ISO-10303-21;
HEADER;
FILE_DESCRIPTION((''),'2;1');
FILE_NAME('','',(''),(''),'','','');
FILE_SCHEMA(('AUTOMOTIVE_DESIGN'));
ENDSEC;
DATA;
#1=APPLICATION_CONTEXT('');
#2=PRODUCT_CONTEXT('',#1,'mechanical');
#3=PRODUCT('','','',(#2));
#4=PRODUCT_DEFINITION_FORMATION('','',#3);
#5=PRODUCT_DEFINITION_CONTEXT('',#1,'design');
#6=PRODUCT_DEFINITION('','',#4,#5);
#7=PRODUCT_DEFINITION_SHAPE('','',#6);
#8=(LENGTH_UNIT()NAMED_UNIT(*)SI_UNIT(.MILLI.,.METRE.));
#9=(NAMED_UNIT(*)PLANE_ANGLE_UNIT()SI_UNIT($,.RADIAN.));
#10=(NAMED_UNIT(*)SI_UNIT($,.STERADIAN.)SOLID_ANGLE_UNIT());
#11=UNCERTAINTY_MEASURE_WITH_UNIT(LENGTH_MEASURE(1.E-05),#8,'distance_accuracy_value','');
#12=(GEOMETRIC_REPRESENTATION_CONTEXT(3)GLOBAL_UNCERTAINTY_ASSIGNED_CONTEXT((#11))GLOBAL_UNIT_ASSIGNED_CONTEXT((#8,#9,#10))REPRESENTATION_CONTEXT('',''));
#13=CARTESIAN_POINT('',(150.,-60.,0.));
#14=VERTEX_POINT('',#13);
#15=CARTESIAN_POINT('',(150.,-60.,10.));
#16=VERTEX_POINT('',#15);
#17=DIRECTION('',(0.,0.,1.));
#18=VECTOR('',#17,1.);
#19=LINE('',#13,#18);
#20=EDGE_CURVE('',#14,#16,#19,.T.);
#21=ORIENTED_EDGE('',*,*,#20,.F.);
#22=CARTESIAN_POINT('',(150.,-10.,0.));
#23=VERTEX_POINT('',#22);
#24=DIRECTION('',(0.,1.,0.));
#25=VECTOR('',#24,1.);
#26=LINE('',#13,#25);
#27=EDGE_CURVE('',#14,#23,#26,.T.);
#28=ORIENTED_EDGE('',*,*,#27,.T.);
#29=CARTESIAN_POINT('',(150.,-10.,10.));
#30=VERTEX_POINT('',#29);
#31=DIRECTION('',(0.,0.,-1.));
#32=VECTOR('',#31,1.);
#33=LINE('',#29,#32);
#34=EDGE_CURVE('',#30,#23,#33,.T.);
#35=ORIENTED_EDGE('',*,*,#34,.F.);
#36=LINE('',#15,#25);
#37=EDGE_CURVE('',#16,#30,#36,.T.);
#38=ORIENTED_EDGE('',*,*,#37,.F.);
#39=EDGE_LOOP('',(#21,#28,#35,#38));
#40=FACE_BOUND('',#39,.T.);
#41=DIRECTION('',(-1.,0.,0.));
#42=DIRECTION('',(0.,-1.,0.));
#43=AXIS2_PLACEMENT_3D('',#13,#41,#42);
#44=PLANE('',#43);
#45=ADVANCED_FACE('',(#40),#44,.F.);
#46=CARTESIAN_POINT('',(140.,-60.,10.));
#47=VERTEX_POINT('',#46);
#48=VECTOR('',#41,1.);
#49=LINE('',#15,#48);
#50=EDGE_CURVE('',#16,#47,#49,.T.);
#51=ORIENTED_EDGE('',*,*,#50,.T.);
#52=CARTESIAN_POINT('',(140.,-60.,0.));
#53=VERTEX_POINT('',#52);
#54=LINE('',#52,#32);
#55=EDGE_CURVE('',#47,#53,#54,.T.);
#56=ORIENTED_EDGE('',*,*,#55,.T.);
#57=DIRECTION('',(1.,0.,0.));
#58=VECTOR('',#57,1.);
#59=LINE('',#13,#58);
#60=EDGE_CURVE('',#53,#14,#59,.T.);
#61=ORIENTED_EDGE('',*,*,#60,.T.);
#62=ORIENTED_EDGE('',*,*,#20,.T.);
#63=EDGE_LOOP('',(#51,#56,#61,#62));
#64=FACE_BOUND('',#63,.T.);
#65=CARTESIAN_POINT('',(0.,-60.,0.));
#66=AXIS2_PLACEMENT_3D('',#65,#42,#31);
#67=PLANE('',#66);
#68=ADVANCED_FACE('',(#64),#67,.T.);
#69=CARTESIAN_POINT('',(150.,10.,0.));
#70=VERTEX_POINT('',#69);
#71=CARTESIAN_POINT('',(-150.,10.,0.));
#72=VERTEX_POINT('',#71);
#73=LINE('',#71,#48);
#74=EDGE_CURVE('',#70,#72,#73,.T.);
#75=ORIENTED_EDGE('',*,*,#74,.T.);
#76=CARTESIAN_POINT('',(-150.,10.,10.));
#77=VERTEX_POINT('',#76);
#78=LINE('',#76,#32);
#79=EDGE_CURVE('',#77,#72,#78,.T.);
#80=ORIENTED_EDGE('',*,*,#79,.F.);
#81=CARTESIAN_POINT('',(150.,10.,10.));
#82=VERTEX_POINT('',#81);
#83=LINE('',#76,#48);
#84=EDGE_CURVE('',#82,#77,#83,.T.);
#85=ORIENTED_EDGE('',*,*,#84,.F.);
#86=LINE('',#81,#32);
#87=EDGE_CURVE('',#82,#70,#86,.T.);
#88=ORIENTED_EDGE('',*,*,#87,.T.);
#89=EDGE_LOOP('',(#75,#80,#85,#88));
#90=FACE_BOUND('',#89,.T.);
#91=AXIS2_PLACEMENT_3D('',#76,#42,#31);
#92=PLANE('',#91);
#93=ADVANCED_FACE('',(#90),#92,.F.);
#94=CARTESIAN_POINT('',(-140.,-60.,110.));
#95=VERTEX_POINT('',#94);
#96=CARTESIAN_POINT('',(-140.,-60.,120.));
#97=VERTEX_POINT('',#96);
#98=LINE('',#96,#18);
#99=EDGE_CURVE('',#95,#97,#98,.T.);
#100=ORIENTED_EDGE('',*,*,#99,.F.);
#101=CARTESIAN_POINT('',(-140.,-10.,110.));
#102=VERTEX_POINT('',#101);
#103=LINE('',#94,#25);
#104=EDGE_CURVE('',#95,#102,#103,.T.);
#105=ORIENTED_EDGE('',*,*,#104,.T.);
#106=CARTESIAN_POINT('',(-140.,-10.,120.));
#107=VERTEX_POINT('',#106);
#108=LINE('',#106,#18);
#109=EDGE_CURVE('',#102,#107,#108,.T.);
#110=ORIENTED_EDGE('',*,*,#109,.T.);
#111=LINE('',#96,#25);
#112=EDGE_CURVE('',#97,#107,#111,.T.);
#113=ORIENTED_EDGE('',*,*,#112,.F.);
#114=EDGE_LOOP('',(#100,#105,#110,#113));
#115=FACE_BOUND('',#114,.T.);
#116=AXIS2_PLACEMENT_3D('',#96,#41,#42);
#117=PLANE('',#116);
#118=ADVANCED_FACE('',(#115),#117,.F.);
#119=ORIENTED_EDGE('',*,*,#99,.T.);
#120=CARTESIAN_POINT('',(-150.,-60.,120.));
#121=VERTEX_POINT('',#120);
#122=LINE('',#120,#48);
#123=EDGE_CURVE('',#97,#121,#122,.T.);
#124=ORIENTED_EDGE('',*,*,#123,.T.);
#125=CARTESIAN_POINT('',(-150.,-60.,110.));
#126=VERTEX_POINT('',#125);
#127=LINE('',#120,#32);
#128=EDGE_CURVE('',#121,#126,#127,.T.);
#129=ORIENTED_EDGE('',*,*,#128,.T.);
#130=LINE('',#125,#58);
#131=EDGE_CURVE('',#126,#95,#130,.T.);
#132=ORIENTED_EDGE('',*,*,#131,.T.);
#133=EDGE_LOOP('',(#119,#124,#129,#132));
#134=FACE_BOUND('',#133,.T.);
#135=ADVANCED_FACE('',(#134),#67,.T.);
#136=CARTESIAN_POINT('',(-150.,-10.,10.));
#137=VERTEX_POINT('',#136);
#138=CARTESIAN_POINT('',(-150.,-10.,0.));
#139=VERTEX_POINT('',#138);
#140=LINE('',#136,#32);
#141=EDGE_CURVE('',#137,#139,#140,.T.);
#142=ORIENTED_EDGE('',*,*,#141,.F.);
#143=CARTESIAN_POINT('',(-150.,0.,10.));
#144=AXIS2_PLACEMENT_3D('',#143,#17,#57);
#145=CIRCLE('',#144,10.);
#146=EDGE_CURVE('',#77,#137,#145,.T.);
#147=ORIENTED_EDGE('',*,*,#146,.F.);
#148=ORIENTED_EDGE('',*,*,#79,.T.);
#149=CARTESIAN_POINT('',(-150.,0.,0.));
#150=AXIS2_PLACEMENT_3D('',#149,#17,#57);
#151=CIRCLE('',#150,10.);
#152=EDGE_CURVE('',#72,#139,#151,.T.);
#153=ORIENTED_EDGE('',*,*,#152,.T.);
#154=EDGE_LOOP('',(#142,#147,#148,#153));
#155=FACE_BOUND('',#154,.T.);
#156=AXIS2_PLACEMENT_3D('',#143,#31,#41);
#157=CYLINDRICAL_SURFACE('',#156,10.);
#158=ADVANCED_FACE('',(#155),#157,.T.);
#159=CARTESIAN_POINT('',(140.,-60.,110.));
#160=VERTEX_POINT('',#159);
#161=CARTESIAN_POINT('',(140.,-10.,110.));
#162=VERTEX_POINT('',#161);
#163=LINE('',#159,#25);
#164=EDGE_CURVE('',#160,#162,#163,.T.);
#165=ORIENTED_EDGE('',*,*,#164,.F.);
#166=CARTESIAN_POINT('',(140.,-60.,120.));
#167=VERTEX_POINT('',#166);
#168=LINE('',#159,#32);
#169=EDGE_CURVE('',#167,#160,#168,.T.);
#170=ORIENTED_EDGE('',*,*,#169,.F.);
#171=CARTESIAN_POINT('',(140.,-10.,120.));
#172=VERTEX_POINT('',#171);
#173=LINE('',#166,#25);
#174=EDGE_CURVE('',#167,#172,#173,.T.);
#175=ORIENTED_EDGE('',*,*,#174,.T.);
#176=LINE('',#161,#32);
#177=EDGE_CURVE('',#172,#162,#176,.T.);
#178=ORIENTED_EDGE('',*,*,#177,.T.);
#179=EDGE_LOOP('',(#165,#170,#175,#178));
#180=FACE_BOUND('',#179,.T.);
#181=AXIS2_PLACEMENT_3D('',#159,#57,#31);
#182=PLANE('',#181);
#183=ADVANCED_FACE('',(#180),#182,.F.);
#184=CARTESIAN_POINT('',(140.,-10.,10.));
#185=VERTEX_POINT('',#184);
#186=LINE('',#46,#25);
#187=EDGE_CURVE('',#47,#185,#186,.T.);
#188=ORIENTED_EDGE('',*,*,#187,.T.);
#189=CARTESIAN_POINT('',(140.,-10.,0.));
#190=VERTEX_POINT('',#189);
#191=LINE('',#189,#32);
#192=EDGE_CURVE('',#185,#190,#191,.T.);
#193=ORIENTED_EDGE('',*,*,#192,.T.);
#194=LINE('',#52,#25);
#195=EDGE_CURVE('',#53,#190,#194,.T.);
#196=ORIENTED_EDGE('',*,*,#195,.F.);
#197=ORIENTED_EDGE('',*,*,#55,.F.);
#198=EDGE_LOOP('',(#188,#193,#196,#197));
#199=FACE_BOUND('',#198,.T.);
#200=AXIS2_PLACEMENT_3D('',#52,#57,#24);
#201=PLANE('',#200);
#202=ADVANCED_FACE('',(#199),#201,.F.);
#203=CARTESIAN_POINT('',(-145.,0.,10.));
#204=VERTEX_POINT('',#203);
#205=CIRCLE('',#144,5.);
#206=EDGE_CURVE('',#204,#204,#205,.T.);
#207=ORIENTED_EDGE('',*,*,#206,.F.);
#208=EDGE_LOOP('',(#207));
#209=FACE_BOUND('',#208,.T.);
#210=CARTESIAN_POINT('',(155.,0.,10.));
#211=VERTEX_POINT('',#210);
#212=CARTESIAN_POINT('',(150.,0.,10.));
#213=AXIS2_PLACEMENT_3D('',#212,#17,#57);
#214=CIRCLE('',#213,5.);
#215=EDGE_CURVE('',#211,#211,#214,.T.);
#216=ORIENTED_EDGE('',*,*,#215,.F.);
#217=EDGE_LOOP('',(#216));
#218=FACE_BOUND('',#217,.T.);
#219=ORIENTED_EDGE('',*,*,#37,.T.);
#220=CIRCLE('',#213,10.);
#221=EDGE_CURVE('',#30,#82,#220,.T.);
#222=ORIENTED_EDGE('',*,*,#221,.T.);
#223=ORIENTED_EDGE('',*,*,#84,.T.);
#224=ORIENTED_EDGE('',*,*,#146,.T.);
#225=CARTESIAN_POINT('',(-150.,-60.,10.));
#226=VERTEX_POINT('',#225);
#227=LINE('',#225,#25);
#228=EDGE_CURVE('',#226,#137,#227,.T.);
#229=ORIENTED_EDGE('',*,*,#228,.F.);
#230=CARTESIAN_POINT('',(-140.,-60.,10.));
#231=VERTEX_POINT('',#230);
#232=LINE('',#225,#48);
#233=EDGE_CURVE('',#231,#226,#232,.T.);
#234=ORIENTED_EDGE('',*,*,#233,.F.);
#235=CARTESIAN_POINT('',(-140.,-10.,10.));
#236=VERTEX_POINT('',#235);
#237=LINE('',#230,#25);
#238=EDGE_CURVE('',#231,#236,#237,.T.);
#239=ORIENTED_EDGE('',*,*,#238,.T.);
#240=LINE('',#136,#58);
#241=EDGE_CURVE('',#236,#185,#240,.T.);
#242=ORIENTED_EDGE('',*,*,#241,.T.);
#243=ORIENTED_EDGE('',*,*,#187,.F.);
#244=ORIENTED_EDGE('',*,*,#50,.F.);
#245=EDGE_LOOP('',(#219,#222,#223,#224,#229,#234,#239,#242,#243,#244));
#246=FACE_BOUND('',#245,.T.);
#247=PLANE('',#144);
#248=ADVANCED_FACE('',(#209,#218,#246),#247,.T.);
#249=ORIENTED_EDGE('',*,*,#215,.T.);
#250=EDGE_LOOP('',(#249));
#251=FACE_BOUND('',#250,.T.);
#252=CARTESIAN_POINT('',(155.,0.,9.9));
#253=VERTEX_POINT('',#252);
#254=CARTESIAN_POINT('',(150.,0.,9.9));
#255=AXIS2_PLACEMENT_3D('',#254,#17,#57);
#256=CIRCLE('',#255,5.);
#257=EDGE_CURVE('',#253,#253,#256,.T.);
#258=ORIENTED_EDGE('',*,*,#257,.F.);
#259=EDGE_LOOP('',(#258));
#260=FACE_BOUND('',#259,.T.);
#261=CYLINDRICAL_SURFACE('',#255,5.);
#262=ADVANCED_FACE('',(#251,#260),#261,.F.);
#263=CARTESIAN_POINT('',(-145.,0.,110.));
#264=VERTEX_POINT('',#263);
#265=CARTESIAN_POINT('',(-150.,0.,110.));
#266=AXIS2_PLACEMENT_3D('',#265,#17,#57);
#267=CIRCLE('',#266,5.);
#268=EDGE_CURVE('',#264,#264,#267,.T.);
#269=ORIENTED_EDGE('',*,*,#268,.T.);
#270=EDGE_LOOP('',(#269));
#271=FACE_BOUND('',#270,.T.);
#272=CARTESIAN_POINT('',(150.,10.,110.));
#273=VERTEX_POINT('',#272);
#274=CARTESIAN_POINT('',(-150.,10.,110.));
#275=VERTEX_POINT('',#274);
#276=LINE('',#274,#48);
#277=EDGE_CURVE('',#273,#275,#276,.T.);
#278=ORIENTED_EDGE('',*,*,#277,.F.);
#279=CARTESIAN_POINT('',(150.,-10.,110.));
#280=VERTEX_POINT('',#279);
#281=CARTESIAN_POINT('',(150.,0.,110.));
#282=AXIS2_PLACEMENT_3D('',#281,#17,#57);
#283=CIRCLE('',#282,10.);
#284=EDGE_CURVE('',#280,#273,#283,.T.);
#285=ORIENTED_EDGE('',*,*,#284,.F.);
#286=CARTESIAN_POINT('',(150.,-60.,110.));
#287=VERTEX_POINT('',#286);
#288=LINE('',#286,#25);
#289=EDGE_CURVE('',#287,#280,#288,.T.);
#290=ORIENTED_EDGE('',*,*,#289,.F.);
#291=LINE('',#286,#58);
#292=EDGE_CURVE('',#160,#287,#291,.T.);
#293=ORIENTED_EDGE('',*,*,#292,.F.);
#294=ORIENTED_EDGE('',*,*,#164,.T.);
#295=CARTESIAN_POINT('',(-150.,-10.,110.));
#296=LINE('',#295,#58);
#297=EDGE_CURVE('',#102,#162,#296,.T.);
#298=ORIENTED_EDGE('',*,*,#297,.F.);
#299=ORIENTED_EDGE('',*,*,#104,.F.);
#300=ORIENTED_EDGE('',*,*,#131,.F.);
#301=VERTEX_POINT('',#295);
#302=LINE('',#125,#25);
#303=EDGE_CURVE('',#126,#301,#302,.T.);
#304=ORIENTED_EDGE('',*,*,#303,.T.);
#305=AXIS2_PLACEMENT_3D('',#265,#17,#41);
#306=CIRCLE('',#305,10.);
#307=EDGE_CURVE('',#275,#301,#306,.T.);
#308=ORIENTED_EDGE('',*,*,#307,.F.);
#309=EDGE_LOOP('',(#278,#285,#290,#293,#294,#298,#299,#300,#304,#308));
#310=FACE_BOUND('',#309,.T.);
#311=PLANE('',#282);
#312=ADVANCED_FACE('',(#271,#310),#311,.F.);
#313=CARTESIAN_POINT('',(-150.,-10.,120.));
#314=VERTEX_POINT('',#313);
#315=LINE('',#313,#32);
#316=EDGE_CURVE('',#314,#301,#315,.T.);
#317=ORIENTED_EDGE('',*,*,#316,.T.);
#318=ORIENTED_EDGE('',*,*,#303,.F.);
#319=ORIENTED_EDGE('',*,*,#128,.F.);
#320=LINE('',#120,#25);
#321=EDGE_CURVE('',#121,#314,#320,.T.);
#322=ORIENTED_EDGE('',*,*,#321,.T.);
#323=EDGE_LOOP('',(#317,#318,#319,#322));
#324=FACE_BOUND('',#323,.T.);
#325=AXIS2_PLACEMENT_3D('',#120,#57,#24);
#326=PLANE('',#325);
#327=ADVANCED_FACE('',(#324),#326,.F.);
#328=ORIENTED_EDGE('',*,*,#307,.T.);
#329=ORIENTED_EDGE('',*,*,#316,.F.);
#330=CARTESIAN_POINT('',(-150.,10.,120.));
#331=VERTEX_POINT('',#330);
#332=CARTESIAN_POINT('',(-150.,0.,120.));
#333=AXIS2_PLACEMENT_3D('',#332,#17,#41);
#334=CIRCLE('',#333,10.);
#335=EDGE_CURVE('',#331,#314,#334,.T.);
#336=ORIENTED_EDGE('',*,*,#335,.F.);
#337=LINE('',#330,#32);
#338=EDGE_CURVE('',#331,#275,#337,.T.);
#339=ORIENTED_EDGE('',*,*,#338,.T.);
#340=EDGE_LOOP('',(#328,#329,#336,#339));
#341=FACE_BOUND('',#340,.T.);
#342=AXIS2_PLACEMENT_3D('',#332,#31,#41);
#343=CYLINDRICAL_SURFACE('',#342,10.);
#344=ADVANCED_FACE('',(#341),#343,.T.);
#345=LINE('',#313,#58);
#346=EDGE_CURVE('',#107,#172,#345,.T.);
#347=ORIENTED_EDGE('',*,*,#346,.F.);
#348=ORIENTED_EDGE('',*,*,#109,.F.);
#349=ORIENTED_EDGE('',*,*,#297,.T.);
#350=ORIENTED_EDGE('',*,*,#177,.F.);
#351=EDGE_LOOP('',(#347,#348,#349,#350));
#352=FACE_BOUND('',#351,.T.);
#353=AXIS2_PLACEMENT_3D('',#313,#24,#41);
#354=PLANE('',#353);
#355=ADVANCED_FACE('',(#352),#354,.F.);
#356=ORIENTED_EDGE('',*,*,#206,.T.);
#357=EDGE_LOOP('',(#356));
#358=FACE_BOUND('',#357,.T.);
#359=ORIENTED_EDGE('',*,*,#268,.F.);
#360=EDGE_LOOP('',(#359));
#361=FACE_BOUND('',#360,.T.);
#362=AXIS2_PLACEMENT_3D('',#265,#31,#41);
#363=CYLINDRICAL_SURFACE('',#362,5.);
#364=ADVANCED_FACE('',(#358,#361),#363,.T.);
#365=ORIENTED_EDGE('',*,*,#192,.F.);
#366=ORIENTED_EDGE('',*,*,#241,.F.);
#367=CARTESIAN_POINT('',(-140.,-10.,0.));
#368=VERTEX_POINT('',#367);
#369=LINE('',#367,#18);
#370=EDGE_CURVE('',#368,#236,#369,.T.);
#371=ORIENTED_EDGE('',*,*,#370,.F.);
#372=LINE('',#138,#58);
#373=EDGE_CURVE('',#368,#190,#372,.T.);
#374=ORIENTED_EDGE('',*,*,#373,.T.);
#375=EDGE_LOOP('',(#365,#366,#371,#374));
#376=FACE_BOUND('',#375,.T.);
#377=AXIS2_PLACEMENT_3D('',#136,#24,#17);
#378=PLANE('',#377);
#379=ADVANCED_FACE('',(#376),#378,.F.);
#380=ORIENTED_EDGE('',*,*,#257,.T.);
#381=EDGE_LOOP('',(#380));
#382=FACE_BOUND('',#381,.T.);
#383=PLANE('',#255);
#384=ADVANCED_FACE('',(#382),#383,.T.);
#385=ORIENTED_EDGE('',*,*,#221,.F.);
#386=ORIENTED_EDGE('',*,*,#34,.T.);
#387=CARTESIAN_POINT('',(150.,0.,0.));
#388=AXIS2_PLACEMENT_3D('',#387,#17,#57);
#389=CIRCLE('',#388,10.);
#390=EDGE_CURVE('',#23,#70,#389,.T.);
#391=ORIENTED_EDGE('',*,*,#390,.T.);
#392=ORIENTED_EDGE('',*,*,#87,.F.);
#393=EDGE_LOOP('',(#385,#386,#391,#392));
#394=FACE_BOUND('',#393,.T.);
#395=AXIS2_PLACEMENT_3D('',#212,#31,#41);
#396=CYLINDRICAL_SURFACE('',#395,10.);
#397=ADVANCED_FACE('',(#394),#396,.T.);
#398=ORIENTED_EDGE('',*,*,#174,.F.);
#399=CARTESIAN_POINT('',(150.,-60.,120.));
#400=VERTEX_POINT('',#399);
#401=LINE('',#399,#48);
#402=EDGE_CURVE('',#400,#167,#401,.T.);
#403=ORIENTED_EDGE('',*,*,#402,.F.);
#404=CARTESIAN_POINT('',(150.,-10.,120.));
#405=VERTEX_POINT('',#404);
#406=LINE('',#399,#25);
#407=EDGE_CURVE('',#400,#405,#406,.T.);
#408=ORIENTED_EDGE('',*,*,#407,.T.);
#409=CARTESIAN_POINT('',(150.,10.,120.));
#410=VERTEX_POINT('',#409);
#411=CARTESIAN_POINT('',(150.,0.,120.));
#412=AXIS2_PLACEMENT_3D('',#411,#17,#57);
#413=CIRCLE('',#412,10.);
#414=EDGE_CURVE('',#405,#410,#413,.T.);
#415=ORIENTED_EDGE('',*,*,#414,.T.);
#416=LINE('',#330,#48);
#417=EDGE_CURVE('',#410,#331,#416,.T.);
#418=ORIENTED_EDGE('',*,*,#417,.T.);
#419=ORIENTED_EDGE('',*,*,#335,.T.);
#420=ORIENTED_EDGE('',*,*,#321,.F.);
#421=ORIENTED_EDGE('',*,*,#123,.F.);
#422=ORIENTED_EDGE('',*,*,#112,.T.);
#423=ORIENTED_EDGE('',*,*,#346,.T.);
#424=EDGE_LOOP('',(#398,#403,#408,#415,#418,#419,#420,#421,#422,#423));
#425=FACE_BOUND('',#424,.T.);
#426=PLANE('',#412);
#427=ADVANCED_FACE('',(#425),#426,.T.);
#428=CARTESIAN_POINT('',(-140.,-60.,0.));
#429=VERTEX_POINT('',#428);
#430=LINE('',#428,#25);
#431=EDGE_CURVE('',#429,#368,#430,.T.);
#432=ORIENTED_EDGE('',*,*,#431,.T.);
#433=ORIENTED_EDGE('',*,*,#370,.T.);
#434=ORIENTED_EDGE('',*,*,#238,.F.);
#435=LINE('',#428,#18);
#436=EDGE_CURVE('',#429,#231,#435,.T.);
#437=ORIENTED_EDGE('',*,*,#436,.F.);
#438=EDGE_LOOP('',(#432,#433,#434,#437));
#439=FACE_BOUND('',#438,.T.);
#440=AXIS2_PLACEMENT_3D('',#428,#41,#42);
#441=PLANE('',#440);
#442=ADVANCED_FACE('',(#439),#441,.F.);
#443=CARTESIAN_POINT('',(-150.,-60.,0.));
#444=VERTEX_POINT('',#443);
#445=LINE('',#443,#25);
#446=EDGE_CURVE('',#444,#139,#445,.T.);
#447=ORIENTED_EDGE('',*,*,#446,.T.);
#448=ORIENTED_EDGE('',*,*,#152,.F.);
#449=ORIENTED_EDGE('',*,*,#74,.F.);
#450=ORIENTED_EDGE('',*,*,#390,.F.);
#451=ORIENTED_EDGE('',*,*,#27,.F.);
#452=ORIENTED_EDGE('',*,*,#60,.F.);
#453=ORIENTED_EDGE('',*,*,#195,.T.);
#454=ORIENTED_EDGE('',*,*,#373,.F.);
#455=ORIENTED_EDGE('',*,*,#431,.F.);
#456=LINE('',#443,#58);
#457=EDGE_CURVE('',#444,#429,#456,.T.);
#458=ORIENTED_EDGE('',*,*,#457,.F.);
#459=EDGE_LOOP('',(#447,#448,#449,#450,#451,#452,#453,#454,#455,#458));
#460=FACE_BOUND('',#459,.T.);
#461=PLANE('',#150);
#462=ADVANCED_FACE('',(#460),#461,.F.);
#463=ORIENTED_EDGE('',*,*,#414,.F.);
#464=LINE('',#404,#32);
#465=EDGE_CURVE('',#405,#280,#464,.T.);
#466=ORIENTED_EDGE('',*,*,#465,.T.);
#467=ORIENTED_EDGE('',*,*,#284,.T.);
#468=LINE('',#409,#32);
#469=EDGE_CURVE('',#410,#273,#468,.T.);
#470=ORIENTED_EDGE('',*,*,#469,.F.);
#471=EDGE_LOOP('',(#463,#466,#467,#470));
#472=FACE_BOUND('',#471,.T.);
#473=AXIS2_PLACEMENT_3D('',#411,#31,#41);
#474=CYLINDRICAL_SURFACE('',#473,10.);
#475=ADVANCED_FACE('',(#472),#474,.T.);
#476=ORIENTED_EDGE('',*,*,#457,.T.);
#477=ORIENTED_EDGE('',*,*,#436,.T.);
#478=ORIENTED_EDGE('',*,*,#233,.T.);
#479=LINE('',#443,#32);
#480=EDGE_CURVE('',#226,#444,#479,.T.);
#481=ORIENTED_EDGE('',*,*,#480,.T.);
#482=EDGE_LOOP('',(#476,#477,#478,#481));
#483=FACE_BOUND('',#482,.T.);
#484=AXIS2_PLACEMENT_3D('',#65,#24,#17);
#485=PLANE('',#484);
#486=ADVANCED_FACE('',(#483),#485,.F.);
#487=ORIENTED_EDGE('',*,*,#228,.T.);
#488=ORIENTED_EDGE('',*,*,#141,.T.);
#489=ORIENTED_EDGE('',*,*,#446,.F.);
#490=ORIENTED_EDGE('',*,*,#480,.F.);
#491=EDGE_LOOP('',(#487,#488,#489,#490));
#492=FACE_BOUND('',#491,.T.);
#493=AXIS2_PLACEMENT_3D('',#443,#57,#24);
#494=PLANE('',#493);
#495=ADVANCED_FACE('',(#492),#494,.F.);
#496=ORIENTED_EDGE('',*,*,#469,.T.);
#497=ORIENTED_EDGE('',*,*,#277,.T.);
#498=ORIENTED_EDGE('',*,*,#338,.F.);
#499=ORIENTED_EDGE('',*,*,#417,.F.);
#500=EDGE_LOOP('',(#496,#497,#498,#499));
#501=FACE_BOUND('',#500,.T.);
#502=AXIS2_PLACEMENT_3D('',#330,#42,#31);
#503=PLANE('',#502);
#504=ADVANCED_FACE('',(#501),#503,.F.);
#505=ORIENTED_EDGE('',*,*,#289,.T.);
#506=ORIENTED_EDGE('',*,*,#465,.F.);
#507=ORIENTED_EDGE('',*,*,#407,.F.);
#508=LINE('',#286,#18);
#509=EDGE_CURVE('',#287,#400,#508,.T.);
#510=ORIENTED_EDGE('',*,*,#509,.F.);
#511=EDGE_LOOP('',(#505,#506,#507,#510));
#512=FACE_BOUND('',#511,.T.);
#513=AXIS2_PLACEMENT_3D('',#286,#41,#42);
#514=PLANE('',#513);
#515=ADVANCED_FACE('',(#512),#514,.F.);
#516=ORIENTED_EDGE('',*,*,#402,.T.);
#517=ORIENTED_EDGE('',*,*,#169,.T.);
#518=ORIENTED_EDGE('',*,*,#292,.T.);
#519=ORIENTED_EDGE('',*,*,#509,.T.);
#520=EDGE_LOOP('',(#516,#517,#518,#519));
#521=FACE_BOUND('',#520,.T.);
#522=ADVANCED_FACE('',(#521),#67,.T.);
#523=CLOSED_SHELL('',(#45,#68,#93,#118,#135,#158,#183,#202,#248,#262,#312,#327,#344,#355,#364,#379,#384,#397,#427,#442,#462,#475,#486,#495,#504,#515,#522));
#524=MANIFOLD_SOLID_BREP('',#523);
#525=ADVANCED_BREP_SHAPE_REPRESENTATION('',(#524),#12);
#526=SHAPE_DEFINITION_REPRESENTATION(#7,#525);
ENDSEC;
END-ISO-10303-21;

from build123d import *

# Parameters (mm, degrees)
SALIENTE_EXTRUIR1_DEPTH = 10
CROQUIS2_R              = 5
SALIENTE_EXTRUIR2_DEPTH = 100
SALIENTE_EXTRUIR3_DEPTH = 10
CROQUIS4_W              = 10
CROQUIS4_H              = 10
SALIENTE_EXTRUIR4_DEPTH = 50
CROQUIS5_R              = 5
CORTAR_EXTRUIR1_DEPTH   = 0.1


with BuildPart() as part:
    # Croquis1 → Saliente-Extruir1 (new body)
    with BuildSketch(Plane.XY):
        with BuildLine():
            Line((-150, 10), (150, 10))
            ThreePointArc((150, 10), (160, 0), (150, -10))
            Line((150, -10), (-150, -10))
            ThreePointArc((-150, -10), (-160, 0), (-150, 10))
        make_face()
    extrude(amount=SALIENTE_EXTRUIR1_DEPTH)

    # Croquis2 → Saliente-Extruir2 (add)
    with BuildSketch(Plane.XY.offset(10)):
        with Locations((-150, 0)):
            Circle(CROQUIS2_R)
    extrude(amount=SALIENTE_EXTRUIR2_DEPTH)

    # Croquis3 → Saliente-Extruir3 (add)
    with BuildSketch(Plane.XY.offset(110)):
        with BuildLine():
            Line((-150, -10), (150, -10))
            ThreePointArc((150, -10), (160, 0), (150, 10))
            Line((150, 10), (-150, 10))
            ThreePointArc((-150, 10), (-160, 0), (-150, -10))
        make_face()
    extrude(amount=SALIENTE_EXTRUIR3_DEPTH)

    # Croquis4 → Saliente-Extruir4 (add)
    with BuildSketch(Plane.XZ.offset(10)):
        with Locations((-145, 115)):
            Rectangle(CROQUIS4_W, CROQUIS4_H)
        with Locations((145, 115)):
            Rectangle(CROQUIS4_W, CROQUIS4_H)
        with Locations((145, 5)):
            Rectangle(CROQUIS4_W, CROQUIS4_H)
        with Locations((-145, 5)):
            Rectangle(CROQUIS4_W, CROQUIS4_H)
    extrude(amount=SALIENTE_EXTRUIR4_DEPTH)

    # Croquis5 → Cortar-Extruir1 (cut)
    with BuildSketch(Plane.XY.offset(10)):
        with Locations((150, 0)):
            Circle(CROQUIS5_R)
    extrude(amount=-CORTAR_EXTRUIR1_DEPTH, mode=Mode.SUBTRACT)


solid = part.part
